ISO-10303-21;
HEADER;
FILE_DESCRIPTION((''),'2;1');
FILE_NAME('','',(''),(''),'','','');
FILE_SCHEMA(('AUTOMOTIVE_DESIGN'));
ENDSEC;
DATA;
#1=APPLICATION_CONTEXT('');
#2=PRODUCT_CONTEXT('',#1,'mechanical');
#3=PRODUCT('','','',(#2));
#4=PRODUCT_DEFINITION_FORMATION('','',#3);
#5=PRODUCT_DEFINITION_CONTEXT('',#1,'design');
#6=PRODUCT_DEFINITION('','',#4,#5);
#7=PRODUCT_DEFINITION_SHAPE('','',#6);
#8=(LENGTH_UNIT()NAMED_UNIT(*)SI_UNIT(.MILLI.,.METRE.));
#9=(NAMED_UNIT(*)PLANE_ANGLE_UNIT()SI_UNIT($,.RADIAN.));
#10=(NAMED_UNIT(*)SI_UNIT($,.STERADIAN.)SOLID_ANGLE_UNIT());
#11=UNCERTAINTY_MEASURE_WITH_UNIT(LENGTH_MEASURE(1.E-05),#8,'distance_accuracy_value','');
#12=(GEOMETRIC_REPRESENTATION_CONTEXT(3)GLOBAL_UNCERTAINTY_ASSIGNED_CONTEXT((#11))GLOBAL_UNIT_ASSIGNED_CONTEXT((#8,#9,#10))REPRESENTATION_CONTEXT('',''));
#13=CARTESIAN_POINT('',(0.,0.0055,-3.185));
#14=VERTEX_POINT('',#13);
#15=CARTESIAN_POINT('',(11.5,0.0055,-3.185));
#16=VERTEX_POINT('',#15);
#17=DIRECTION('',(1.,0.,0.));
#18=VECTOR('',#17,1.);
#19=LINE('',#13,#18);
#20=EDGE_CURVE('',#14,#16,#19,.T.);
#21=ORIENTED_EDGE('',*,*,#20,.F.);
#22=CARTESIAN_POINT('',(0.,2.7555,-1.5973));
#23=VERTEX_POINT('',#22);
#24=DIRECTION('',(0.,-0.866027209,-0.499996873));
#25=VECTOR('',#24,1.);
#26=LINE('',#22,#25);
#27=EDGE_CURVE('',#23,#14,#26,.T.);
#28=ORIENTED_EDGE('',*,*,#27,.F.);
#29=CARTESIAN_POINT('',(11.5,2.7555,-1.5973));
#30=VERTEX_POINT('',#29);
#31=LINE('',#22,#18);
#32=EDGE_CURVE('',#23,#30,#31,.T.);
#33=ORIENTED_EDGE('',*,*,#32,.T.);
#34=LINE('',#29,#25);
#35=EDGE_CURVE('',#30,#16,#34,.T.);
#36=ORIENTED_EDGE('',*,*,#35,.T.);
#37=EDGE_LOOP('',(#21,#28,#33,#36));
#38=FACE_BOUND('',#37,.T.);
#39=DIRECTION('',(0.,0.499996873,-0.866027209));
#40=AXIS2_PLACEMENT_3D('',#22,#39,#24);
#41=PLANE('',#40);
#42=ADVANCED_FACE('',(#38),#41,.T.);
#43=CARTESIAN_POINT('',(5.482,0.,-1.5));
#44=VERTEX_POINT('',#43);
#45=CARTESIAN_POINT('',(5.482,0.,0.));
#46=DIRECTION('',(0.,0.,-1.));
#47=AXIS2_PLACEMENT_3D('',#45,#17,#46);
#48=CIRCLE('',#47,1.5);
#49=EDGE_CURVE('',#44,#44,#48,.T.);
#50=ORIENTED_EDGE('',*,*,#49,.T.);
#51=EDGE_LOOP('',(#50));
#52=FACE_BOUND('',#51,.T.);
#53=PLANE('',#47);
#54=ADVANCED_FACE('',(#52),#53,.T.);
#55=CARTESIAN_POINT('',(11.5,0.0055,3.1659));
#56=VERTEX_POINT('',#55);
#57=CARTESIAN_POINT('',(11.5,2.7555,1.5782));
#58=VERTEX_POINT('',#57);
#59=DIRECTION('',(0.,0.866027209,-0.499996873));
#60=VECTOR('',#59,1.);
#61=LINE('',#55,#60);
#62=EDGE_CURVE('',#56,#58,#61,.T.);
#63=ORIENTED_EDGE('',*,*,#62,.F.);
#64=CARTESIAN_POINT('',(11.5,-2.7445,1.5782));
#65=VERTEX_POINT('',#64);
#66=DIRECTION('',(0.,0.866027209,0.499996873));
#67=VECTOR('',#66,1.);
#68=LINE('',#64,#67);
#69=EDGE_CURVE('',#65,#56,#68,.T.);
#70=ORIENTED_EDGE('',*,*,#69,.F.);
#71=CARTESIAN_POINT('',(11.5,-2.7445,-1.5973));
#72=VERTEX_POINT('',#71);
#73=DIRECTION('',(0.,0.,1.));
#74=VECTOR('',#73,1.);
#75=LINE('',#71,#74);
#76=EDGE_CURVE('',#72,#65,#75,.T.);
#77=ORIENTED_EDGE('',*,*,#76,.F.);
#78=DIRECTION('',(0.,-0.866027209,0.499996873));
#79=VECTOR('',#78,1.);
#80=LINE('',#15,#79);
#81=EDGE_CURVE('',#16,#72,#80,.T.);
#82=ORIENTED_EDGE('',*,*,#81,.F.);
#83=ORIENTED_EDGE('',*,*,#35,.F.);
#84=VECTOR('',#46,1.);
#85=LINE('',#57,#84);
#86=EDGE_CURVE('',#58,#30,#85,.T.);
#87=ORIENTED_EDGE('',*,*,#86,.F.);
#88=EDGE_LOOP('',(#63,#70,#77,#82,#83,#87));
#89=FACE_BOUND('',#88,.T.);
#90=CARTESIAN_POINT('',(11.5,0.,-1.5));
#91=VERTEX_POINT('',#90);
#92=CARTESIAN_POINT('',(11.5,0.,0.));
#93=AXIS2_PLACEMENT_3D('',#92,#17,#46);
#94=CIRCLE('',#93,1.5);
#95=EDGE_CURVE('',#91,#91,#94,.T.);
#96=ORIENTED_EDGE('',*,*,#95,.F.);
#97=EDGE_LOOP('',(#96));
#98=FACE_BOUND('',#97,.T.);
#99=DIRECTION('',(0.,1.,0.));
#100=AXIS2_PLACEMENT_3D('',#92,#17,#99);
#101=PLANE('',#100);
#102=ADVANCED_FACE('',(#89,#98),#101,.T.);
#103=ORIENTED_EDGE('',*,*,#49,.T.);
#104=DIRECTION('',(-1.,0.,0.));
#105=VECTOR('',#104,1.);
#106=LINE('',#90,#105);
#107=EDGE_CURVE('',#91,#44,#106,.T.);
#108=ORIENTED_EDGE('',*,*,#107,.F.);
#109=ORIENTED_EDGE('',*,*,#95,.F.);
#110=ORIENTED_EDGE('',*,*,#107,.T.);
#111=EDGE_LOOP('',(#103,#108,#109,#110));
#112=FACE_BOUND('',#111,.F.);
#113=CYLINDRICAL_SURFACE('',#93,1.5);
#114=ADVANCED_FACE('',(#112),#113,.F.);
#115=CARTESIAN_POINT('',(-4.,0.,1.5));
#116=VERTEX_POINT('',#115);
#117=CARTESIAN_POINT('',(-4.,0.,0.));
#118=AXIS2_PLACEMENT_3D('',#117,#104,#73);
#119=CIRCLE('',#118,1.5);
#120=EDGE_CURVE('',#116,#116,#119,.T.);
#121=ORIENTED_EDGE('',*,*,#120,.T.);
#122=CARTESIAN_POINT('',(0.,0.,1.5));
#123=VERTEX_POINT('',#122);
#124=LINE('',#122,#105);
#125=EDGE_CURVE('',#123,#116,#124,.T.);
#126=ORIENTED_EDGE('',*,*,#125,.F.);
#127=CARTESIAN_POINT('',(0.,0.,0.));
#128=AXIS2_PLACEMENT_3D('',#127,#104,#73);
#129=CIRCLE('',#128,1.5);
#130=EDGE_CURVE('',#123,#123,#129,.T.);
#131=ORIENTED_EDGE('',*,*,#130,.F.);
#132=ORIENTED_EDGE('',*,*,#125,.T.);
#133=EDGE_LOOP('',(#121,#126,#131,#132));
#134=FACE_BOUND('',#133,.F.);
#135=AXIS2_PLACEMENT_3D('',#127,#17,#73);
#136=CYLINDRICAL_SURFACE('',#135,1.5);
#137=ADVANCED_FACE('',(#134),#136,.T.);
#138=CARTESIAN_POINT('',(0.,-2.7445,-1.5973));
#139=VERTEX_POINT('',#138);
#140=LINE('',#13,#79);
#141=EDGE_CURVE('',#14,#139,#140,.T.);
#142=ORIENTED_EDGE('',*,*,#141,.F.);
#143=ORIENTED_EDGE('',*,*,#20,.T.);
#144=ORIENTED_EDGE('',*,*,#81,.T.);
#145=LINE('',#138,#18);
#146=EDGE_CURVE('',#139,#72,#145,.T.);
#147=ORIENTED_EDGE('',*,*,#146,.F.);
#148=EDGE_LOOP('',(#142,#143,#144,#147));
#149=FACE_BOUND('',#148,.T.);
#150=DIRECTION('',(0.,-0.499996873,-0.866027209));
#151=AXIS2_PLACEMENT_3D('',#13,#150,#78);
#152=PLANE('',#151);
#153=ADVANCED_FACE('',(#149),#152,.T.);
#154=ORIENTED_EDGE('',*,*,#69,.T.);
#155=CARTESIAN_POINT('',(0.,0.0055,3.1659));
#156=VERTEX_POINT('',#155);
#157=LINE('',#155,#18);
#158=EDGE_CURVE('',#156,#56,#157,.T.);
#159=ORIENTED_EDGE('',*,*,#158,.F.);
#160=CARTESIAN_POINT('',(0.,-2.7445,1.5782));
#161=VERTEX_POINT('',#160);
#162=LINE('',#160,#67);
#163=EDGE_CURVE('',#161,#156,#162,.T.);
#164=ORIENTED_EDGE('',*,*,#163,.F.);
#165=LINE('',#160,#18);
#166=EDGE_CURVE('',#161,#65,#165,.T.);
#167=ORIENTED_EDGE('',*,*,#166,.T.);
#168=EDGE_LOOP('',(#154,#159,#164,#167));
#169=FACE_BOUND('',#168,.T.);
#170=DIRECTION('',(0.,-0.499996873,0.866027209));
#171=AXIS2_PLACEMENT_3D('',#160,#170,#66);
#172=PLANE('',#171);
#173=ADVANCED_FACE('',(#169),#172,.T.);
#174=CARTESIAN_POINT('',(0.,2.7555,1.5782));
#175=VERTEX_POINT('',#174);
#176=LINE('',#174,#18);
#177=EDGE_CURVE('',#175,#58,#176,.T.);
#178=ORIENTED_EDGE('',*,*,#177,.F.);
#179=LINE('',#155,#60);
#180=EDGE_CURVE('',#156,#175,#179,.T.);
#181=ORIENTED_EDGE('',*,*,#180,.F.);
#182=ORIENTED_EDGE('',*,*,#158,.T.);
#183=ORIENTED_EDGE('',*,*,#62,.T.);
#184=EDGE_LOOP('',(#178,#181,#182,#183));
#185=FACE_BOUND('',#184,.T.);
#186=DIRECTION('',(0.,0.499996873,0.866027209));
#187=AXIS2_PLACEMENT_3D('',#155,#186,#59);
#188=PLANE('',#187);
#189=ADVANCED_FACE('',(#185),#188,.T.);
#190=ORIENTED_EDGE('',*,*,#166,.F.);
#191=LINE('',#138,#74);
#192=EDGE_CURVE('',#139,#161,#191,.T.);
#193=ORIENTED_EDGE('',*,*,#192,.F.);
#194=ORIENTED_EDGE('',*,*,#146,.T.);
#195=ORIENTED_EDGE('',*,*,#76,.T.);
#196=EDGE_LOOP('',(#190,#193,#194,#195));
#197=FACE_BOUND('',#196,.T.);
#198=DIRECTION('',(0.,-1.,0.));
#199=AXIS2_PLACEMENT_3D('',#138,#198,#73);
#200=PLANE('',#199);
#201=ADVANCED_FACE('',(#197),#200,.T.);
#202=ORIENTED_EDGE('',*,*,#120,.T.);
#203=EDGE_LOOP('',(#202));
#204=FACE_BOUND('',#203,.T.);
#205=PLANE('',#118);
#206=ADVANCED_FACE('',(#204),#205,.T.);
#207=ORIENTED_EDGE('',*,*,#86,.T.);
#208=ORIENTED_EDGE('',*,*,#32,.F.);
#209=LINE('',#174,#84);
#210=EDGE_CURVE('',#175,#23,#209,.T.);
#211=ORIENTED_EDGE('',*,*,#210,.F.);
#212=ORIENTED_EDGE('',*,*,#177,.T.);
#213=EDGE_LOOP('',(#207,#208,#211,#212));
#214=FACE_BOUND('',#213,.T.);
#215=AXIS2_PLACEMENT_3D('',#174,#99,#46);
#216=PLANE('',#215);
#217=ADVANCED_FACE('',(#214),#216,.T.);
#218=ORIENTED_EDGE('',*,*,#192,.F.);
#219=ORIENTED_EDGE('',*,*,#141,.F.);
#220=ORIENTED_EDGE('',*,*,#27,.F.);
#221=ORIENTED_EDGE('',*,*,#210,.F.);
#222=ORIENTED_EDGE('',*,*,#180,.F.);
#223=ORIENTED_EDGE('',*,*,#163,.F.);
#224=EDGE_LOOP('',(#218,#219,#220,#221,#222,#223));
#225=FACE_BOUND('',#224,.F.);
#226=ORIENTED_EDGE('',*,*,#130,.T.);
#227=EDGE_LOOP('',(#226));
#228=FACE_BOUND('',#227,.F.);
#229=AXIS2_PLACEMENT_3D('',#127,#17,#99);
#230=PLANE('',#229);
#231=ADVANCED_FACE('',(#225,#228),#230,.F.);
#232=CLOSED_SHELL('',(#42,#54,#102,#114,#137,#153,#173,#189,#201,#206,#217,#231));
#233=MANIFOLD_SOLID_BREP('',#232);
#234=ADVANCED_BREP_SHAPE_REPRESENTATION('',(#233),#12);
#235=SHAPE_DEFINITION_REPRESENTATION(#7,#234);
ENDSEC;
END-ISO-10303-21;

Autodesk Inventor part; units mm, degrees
ref_plane "YZ Plane" through (0, 0, 0) normal (1, 0, 0) x (0, 1, 0)
ref_plane "XZ Plane" through (0, 0, 0) normal (0, 1, 0) x (-1, 0, 0)
ref_plane "XY Plane" through (0, 0, 0) normal (0, 0, 1) x (1, 0, 0)
sketch "Sketch1" plane through (0, 0, 0) normal (1, 0, 0) x (0, 1, 0)
  line L0 (0.0055, 3.1659) -> (2.7555, 1.5782)
  line L1 (2.7555, 1.5782) -> (2.7555, -1.5973)
  line L2 (2.7555, -1.5973) -> (0.0055, -3.185)
  line L3 (0.0055, -3.185) -> (-2.7445, -1.5973)
  line L4 (-2.7445, -1.5973) -> (-2.7445, 1.5782)
  line L5 (-2.7445, 1.5782) -> (0.0055, 3.1659)
  point P0 (0.0055, -0.0095)
  dimension "d1" = 5.5
extrude "Extrusion1" add sketch "Sketch1" along normal blind 11.5
sketch "Sketch2" plane through (0, 0, 0) normal (-1, 0, 0) x (0, 0, 1)
  circle A0 centre (0, 0) radius 1.5
  dimension "d4" = 3
extrude "Extrusion2" add sketch "Sketch2" along normal blind 4
sketch "Sketch3" plane through (11.5, 0, 0) normal (1, 0, 0) x (0, 0, -1)
  circle A0 centre (0, 0) radius 1.5
  dimension "d7" = 3
extrude "Extrusion3" cut sketch "Sketch3" against normal blind 6.018
properties part number "Spacer"
